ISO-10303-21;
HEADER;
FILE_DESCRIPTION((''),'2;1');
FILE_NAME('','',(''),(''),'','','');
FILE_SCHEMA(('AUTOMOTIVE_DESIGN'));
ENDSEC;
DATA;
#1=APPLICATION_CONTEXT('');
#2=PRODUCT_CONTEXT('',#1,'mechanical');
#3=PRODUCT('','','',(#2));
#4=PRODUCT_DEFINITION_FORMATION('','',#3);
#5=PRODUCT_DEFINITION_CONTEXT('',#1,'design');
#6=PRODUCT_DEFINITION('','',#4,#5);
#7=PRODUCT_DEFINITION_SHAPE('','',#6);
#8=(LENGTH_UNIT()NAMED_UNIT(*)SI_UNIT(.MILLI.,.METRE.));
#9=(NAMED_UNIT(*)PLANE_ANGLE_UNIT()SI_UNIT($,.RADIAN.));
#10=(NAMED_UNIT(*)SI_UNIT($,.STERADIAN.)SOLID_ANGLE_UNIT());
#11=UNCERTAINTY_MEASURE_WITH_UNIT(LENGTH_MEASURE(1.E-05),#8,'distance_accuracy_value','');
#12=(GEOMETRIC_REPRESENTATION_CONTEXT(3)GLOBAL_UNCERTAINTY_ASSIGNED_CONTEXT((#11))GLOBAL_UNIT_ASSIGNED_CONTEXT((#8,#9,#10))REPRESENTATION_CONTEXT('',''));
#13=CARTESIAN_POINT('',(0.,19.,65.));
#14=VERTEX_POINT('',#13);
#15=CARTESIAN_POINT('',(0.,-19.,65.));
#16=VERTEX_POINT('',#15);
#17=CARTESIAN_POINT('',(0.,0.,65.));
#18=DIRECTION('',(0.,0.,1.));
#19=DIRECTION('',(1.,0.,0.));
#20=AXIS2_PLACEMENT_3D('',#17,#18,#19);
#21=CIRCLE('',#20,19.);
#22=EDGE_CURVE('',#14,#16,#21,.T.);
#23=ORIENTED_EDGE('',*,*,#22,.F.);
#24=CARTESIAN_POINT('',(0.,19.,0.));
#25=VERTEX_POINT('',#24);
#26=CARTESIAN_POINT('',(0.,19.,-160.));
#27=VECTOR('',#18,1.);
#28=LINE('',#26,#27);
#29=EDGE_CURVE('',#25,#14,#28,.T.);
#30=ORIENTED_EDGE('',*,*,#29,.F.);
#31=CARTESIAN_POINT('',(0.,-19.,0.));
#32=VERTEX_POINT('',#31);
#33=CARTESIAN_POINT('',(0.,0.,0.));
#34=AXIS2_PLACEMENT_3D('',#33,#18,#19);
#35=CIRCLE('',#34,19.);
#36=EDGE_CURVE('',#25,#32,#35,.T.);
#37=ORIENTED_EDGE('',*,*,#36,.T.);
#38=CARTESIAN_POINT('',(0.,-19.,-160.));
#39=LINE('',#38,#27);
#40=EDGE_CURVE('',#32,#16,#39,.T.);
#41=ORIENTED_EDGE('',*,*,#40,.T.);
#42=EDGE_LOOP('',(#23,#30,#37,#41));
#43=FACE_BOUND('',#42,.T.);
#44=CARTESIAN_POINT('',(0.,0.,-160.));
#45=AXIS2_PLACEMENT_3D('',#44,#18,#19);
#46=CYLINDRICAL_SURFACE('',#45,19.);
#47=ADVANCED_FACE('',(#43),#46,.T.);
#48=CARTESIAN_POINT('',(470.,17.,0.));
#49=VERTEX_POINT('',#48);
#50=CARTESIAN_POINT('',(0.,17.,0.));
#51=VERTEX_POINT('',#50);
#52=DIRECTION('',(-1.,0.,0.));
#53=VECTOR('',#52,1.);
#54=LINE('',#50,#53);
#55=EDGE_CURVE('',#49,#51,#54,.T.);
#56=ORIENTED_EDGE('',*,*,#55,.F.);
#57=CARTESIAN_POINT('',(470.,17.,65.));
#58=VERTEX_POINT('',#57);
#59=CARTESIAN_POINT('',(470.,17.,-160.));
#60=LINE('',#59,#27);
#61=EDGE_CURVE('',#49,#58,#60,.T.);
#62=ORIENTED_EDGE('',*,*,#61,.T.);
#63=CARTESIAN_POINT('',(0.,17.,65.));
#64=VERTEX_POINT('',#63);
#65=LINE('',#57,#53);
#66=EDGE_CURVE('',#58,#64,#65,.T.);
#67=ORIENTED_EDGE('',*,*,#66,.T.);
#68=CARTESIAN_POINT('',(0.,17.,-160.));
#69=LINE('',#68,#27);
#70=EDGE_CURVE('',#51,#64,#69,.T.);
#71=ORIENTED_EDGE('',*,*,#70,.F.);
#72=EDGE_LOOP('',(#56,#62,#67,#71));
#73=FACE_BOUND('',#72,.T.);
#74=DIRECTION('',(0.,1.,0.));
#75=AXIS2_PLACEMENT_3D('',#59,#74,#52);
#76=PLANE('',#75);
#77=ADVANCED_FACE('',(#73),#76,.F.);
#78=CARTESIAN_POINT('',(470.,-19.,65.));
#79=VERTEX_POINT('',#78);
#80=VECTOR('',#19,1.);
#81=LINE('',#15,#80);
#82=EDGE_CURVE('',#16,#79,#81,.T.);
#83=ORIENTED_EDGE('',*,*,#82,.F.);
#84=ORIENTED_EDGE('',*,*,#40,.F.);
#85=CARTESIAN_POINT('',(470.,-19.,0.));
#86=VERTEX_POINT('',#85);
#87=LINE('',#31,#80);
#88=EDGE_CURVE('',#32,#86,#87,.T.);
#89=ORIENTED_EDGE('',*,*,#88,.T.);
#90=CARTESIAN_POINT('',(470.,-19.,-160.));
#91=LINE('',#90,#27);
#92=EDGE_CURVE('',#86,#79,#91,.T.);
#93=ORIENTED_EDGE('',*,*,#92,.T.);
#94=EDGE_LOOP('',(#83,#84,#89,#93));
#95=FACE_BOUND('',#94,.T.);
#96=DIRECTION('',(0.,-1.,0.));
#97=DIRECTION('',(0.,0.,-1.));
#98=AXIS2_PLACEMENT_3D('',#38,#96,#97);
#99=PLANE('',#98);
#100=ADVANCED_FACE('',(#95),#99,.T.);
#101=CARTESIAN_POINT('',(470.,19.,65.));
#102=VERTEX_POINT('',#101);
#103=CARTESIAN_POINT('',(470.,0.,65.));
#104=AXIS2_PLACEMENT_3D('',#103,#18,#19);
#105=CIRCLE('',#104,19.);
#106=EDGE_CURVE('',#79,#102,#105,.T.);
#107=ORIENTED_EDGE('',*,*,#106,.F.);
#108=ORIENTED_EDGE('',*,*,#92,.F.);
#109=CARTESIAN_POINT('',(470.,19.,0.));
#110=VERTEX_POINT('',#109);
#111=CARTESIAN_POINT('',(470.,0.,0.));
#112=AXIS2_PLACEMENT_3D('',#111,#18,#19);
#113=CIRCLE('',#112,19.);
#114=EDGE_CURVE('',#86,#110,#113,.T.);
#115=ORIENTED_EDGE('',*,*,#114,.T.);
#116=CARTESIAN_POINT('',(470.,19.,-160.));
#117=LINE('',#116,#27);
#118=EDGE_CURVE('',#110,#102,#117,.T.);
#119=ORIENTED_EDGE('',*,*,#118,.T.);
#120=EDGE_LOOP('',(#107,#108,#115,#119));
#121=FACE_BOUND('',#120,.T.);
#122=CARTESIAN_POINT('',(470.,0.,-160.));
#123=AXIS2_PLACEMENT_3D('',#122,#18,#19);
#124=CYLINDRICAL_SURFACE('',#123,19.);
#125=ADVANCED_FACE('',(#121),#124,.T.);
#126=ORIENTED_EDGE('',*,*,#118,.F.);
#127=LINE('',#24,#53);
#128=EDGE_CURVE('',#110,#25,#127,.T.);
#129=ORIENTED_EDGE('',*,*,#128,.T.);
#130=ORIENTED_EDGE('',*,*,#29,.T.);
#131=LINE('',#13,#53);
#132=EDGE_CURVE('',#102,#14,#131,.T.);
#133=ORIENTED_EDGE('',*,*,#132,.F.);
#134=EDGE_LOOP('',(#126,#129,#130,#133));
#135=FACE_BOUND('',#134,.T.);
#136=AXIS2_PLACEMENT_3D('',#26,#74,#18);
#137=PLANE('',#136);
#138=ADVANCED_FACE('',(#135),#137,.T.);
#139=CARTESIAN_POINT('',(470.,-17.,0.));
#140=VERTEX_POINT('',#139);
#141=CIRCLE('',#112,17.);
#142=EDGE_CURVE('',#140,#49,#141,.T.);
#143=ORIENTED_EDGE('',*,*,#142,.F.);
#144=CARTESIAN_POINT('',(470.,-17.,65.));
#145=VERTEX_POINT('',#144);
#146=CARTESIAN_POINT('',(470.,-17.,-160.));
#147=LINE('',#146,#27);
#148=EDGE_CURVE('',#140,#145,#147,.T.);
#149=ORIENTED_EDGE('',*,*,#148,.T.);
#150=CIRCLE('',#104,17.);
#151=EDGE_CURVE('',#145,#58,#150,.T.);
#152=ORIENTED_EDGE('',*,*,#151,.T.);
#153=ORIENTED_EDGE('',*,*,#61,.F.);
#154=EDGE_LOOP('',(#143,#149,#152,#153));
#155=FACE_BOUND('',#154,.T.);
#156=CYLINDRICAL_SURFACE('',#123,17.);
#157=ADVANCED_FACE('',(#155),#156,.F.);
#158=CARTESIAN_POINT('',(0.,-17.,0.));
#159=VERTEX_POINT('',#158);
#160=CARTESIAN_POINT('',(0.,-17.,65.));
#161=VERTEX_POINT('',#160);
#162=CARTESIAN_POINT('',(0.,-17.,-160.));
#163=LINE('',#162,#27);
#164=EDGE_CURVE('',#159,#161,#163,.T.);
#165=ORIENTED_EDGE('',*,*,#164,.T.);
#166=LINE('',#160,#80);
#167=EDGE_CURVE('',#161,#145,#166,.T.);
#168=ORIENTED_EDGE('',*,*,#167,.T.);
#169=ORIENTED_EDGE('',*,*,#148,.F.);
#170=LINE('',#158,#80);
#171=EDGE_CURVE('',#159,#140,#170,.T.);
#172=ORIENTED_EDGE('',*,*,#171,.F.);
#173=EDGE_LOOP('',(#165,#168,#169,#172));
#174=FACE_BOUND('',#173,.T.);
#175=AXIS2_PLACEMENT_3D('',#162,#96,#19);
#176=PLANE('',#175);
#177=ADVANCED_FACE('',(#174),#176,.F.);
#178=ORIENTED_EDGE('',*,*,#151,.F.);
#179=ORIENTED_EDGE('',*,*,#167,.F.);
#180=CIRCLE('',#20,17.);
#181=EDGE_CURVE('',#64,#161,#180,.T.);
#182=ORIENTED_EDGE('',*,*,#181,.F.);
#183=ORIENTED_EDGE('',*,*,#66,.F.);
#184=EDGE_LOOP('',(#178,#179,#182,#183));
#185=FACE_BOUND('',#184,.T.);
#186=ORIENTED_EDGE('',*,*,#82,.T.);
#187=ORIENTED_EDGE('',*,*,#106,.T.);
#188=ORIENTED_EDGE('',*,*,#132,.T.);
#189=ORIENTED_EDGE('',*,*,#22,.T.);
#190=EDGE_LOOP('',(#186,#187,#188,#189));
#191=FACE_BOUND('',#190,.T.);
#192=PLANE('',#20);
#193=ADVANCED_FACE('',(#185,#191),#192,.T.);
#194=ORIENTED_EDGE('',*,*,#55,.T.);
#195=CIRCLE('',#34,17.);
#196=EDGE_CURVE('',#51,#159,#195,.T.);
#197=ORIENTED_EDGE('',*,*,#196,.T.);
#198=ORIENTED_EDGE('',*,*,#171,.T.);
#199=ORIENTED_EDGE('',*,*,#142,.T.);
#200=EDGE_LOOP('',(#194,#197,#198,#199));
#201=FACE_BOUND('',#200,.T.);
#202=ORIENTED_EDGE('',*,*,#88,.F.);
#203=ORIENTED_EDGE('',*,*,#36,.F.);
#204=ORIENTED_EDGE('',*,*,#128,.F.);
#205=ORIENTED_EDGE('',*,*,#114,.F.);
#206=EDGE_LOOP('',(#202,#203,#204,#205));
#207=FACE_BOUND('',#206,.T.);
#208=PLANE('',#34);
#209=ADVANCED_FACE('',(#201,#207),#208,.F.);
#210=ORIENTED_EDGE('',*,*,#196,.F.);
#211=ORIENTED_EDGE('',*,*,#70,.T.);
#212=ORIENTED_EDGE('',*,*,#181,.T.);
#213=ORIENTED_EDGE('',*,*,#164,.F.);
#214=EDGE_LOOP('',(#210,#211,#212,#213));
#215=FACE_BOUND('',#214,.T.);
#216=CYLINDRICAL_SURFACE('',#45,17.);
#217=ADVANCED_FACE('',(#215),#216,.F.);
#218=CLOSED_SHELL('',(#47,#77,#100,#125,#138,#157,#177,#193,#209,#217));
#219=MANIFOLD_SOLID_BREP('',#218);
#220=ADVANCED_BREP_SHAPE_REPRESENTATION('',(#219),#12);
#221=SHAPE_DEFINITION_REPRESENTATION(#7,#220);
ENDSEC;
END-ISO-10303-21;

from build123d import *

# Parameters (mm, degrees)
BOSS_EXTRUDE1_DEPTH = 65
CUT_EXTRUDE1_DEPTH  = 150
BOSS_EXTRUDE2_DEPTH = 65
CUT_EXTRUDE2_DEPTH  = 168
BOSS_EXTRUDE4_DEPTH = 65
CUT_EXTRUDE3_DEPTH  = 225
CUT_EXTRUDE4_DEPTH  = 225


with BuildPart() as part:
    # Sketch1 → Boss-Extrude1 (new body)
    with BuildSketch(Plane.XY):
        with BuildLine():
            Line((0, 18), (470, 18))
            ThreePointArc((470, 18), (488, 0), (470, -18))
            Line((470, -18), (0, -18))
            ThreePointArc((0, -18), (-18, 0), (0, 18))
        make_face()
    extrude(amount=BOSS_EXTRUDE1_DEPTH)

    # Sketch2 → Cut-Extrude1 (cut)
    with BuildSketch(Plane.XY.offset(65)):
        with BuildLine():
            Line((0, -16), (470, -16))
            ThreePointArc((470, -16), (486, 0), (470, 16))
            Line((470, 16), (0, 16))
            ThreePointArc((0, 16), (-16, 0), (0, -16))
        make_face()
    extrude(amount=-CUT_EXTRUDE1_DEPTH, mode=Mode.SUBTRACT)

    # Sketch3 → Boss-Extrude2 (add)
    with BuildSketch(Plane.XY.offset(65)):
        with BuildLine():
            Line((0, -20), (470, -20))
            ThreePointArc((470, -20), (490, 0), (470, 20))
            Line((470, 20), (0, 20))
            ThreePointArc((0, 20), (-20, 0), (0, -20))
        make_face()
    extrude(amount=-BOSS_EXTRUDE2_DEPTH)

    # Sketch4 → Cut-Extrude2 (cut)
    with BuildSketch(Plane.XY.offset(65)):
        with BuildLine():
            Line((0, -18), (470, -18))
            ThreePointArc((470, -18), (488, 0), (470, 18))
            Line((470, 18), (0, 18))
            ThreePointArc((0, 18), (-18, 0), (0, -18))
        make_face()
    extrude(amount=-CUT_EXTRUDE2_DEPTH, mode=Mode.SUBTRACT)

    # Sketch5 → Boss-Extrude4 (add)
    with BuildSketch(Plane.XY.offset(65)):
        with BuildLine():
            Line((0, -18), (470, -18))
            ThreePointArc((470, -18), (488, 0), (470, 18))
            Line((470, 18), (0, 18))
            ThreePointArc((0, 18), (-18, 0), (0, -18))
        make_face()
    extrude(amount=-BOSS_EXTRUDE4_DEPTH)

    # Sketch7 → Cut-Extrude3 (cut)
    with BuildSketch(Plane.XY.offset(65)):
        with BuildLine():
            Line((0, -17), (470, -17))
            ThreePointArc((470, -17), (487, 0), (470, 17))
            Line((470, 17), (0, 17))
            ThreePointArc((0, 17), (-17, 0), (0, -17))
        make_face()
    extrude(amount=-CUT_EXTRUDE3_DEPTH, mode=Mode.SUBTRACT)

    # Sketch8 → Cut-Extrude4 (cut)
    with BuildSketch(Plane.XY.offset(65)):
        with BuildLine():
            Line((0, 20), (470, 20))
            ThreePointArc((470, 20), (490, 0), (470, -20))
            Line((470, -20), (0, -20))
            ThreePointArc((0, -20), (-20, 0), (0, 20))
        make_face()
        with BuildLine():
            Line((0, 19), (470, 19))
            ThreePointArc((470, 19), (489, 0), (470, -19))
            Line((470, -19), (0, -19))
            ThreePointArc((0, -19), (-19, 0), (0, 19))
        make_face(mode=Mode.SUBTRACT)
    extrude(amount=-CUT_EXTRUDE4_DEPTH, mode=Mode.SUBTRACT)


solid = part.part
